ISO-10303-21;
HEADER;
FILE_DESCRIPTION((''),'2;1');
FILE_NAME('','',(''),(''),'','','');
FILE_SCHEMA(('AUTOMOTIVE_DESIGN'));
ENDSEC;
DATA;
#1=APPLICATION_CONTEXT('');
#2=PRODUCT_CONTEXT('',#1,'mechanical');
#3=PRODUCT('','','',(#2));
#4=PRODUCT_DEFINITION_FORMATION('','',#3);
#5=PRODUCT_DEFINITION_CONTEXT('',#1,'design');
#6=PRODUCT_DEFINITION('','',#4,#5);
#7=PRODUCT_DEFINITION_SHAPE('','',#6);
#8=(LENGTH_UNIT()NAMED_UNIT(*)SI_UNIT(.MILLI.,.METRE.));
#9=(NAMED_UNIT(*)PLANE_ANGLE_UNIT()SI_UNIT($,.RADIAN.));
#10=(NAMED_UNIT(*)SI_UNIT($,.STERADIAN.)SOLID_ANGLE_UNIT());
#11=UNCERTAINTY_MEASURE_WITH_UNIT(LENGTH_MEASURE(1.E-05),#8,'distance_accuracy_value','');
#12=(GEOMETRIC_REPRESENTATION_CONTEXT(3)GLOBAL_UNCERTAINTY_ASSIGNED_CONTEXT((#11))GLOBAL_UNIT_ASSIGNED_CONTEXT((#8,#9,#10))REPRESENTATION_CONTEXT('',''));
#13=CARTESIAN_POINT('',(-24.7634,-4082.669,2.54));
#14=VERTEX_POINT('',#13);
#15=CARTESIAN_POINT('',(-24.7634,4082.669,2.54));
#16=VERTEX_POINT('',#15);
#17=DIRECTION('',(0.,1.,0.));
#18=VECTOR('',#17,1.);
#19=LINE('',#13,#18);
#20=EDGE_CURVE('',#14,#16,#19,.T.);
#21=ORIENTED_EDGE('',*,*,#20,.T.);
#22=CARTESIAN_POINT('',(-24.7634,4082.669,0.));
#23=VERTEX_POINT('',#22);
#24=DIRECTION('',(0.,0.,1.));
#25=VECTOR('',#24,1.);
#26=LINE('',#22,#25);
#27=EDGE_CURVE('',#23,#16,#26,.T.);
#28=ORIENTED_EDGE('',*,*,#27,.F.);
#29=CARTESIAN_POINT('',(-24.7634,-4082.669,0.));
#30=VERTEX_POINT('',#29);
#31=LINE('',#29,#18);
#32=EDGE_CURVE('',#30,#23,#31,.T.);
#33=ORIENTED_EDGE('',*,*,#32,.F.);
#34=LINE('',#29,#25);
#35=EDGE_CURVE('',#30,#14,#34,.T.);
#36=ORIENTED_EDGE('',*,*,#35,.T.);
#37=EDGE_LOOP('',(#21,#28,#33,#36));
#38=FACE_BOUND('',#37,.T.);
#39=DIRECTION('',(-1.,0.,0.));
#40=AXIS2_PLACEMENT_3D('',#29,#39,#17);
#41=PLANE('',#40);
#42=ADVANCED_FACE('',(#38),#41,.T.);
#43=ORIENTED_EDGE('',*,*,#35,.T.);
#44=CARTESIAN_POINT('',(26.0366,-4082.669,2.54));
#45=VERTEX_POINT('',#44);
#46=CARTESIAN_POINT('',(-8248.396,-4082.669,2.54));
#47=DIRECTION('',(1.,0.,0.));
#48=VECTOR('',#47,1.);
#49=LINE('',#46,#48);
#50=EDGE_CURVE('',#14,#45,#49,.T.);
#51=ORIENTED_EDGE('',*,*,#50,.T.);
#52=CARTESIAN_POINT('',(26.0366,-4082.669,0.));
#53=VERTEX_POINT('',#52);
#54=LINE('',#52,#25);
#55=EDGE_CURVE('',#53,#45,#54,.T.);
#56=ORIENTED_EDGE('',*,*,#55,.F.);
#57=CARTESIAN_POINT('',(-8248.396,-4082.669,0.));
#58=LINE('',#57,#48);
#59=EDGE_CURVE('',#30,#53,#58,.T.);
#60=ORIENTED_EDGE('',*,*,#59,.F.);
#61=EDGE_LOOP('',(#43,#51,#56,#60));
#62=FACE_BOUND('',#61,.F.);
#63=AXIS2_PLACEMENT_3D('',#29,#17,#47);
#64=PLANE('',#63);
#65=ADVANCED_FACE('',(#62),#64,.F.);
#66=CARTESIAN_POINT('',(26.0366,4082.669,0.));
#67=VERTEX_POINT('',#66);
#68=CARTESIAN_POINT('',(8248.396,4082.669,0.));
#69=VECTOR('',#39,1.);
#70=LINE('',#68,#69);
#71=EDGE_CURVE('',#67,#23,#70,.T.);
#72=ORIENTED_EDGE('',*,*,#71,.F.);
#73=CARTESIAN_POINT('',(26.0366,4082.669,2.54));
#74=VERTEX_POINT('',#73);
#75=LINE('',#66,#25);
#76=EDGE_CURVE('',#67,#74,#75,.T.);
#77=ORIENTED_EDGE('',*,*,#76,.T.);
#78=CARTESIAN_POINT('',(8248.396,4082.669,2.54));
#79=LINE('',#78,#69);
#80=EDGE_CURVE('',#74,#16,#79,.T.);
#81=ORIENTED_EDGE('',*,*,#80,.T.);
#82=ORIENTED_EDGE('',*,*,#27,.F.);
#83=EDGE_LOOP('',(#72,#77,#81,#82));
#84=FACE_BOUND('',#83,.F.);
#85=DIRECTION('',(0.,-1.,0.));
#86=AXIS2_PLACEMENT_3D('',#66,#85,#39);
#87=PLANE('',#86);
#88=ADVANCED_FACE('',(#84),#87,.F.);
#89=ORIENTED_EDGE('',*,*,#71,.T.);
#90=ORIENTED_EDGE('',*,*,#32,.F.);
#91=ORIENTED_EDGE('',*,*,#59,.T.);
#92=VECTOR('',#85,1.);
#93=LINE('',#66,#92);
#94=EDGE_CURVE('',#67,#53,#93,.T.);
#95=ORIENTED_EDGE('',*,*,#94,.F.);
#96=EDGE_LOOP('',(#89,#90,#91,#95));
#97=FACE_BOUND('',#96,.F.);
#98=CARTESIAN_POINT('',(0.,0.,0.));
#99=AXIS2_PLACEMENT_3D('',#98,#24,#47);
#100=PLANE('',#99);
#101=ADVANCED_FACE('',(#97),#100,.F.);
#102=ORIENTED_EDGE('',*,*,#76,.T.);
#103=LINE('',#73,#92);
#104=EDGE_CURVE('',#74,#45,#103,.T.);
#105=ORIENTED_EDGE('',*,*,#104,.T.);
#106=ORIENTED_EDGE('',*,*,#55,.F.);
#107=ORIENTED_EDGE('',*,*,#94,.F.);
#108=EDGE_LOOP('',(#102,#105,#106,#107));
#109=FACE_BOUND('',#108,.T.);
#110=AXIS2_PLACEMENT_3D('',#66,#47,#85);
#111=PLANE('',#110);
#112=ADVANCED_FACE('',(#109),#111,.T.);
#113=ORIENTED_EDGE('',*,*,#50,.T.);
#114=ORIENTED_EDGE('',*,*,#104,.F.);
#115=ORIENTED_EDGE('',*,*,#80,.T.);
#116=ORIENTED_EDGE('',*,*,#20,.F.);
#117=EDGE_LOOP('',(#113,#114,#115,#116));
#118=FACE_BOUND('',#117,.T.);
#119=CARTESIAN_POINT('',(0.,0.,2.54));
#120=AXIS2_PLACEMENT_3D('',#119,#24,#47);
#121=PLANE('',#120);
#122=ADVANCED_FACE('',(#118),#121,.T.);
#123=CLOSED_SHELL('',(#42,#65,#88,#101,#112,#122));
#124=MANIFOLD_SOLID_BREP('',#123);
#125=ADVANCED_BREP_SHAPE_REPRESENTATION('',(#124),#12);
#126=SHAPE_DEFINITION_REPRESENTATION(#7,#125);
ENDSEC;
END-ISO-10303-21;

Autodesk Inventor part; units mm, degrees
ref_plane "YZ Plane" through (0, 0, 0) normal (1, 0, 0) x (0, 1, 0)
ref_plane "XZ Plane" through (0, 0, 0) normal (0, 1, 0) x (-1, 0, 0)
ref_plane "XY Plane" through (0, 0, 0) normal (0, 0, 1) x (1, 0, 0)
ref_plane "Work Plane1" through (0, 0, 0) normal (0, 0, 1) x (1, 0, 0)
sketch "Sketch1" plane through (0, 0, 0) normal (0, 0, 1) x (1, 0, 0)
  line L0 (-8248.396, -4082.669) -> (8248.396, -4082.669) projected
  line L1 (8248.396, -4082.669) -> (8248.396, 4082.669) projected
  line L2 (8248.396, 4082.669) -> (-8248.396, 4082.669) projected
  line L3 (-8248.396, 4082.669) -> (-8248.396, -4082.669) projected
  line L4 (-24.7634, 4082.669) -> (26.0366, 4082.669)
  line L5 (26.0366, 4082.669) -> (26.0366, -4082.669)
  line L6 (26.0366, -4082.669) -> (-24.7634, -4082.669)
  line L7 (-24.7634, -4082.669) -> (-24.7634, 4082.669)
  point P0 (0, 0)
  dimension "d0" = 50.8
extrude "Extrusion1" add sketch "Sketch1" along normal blind 2.54 contours L7 L2 L5 L0
properties part number "WhiteLine" material "ABS Plastic"
